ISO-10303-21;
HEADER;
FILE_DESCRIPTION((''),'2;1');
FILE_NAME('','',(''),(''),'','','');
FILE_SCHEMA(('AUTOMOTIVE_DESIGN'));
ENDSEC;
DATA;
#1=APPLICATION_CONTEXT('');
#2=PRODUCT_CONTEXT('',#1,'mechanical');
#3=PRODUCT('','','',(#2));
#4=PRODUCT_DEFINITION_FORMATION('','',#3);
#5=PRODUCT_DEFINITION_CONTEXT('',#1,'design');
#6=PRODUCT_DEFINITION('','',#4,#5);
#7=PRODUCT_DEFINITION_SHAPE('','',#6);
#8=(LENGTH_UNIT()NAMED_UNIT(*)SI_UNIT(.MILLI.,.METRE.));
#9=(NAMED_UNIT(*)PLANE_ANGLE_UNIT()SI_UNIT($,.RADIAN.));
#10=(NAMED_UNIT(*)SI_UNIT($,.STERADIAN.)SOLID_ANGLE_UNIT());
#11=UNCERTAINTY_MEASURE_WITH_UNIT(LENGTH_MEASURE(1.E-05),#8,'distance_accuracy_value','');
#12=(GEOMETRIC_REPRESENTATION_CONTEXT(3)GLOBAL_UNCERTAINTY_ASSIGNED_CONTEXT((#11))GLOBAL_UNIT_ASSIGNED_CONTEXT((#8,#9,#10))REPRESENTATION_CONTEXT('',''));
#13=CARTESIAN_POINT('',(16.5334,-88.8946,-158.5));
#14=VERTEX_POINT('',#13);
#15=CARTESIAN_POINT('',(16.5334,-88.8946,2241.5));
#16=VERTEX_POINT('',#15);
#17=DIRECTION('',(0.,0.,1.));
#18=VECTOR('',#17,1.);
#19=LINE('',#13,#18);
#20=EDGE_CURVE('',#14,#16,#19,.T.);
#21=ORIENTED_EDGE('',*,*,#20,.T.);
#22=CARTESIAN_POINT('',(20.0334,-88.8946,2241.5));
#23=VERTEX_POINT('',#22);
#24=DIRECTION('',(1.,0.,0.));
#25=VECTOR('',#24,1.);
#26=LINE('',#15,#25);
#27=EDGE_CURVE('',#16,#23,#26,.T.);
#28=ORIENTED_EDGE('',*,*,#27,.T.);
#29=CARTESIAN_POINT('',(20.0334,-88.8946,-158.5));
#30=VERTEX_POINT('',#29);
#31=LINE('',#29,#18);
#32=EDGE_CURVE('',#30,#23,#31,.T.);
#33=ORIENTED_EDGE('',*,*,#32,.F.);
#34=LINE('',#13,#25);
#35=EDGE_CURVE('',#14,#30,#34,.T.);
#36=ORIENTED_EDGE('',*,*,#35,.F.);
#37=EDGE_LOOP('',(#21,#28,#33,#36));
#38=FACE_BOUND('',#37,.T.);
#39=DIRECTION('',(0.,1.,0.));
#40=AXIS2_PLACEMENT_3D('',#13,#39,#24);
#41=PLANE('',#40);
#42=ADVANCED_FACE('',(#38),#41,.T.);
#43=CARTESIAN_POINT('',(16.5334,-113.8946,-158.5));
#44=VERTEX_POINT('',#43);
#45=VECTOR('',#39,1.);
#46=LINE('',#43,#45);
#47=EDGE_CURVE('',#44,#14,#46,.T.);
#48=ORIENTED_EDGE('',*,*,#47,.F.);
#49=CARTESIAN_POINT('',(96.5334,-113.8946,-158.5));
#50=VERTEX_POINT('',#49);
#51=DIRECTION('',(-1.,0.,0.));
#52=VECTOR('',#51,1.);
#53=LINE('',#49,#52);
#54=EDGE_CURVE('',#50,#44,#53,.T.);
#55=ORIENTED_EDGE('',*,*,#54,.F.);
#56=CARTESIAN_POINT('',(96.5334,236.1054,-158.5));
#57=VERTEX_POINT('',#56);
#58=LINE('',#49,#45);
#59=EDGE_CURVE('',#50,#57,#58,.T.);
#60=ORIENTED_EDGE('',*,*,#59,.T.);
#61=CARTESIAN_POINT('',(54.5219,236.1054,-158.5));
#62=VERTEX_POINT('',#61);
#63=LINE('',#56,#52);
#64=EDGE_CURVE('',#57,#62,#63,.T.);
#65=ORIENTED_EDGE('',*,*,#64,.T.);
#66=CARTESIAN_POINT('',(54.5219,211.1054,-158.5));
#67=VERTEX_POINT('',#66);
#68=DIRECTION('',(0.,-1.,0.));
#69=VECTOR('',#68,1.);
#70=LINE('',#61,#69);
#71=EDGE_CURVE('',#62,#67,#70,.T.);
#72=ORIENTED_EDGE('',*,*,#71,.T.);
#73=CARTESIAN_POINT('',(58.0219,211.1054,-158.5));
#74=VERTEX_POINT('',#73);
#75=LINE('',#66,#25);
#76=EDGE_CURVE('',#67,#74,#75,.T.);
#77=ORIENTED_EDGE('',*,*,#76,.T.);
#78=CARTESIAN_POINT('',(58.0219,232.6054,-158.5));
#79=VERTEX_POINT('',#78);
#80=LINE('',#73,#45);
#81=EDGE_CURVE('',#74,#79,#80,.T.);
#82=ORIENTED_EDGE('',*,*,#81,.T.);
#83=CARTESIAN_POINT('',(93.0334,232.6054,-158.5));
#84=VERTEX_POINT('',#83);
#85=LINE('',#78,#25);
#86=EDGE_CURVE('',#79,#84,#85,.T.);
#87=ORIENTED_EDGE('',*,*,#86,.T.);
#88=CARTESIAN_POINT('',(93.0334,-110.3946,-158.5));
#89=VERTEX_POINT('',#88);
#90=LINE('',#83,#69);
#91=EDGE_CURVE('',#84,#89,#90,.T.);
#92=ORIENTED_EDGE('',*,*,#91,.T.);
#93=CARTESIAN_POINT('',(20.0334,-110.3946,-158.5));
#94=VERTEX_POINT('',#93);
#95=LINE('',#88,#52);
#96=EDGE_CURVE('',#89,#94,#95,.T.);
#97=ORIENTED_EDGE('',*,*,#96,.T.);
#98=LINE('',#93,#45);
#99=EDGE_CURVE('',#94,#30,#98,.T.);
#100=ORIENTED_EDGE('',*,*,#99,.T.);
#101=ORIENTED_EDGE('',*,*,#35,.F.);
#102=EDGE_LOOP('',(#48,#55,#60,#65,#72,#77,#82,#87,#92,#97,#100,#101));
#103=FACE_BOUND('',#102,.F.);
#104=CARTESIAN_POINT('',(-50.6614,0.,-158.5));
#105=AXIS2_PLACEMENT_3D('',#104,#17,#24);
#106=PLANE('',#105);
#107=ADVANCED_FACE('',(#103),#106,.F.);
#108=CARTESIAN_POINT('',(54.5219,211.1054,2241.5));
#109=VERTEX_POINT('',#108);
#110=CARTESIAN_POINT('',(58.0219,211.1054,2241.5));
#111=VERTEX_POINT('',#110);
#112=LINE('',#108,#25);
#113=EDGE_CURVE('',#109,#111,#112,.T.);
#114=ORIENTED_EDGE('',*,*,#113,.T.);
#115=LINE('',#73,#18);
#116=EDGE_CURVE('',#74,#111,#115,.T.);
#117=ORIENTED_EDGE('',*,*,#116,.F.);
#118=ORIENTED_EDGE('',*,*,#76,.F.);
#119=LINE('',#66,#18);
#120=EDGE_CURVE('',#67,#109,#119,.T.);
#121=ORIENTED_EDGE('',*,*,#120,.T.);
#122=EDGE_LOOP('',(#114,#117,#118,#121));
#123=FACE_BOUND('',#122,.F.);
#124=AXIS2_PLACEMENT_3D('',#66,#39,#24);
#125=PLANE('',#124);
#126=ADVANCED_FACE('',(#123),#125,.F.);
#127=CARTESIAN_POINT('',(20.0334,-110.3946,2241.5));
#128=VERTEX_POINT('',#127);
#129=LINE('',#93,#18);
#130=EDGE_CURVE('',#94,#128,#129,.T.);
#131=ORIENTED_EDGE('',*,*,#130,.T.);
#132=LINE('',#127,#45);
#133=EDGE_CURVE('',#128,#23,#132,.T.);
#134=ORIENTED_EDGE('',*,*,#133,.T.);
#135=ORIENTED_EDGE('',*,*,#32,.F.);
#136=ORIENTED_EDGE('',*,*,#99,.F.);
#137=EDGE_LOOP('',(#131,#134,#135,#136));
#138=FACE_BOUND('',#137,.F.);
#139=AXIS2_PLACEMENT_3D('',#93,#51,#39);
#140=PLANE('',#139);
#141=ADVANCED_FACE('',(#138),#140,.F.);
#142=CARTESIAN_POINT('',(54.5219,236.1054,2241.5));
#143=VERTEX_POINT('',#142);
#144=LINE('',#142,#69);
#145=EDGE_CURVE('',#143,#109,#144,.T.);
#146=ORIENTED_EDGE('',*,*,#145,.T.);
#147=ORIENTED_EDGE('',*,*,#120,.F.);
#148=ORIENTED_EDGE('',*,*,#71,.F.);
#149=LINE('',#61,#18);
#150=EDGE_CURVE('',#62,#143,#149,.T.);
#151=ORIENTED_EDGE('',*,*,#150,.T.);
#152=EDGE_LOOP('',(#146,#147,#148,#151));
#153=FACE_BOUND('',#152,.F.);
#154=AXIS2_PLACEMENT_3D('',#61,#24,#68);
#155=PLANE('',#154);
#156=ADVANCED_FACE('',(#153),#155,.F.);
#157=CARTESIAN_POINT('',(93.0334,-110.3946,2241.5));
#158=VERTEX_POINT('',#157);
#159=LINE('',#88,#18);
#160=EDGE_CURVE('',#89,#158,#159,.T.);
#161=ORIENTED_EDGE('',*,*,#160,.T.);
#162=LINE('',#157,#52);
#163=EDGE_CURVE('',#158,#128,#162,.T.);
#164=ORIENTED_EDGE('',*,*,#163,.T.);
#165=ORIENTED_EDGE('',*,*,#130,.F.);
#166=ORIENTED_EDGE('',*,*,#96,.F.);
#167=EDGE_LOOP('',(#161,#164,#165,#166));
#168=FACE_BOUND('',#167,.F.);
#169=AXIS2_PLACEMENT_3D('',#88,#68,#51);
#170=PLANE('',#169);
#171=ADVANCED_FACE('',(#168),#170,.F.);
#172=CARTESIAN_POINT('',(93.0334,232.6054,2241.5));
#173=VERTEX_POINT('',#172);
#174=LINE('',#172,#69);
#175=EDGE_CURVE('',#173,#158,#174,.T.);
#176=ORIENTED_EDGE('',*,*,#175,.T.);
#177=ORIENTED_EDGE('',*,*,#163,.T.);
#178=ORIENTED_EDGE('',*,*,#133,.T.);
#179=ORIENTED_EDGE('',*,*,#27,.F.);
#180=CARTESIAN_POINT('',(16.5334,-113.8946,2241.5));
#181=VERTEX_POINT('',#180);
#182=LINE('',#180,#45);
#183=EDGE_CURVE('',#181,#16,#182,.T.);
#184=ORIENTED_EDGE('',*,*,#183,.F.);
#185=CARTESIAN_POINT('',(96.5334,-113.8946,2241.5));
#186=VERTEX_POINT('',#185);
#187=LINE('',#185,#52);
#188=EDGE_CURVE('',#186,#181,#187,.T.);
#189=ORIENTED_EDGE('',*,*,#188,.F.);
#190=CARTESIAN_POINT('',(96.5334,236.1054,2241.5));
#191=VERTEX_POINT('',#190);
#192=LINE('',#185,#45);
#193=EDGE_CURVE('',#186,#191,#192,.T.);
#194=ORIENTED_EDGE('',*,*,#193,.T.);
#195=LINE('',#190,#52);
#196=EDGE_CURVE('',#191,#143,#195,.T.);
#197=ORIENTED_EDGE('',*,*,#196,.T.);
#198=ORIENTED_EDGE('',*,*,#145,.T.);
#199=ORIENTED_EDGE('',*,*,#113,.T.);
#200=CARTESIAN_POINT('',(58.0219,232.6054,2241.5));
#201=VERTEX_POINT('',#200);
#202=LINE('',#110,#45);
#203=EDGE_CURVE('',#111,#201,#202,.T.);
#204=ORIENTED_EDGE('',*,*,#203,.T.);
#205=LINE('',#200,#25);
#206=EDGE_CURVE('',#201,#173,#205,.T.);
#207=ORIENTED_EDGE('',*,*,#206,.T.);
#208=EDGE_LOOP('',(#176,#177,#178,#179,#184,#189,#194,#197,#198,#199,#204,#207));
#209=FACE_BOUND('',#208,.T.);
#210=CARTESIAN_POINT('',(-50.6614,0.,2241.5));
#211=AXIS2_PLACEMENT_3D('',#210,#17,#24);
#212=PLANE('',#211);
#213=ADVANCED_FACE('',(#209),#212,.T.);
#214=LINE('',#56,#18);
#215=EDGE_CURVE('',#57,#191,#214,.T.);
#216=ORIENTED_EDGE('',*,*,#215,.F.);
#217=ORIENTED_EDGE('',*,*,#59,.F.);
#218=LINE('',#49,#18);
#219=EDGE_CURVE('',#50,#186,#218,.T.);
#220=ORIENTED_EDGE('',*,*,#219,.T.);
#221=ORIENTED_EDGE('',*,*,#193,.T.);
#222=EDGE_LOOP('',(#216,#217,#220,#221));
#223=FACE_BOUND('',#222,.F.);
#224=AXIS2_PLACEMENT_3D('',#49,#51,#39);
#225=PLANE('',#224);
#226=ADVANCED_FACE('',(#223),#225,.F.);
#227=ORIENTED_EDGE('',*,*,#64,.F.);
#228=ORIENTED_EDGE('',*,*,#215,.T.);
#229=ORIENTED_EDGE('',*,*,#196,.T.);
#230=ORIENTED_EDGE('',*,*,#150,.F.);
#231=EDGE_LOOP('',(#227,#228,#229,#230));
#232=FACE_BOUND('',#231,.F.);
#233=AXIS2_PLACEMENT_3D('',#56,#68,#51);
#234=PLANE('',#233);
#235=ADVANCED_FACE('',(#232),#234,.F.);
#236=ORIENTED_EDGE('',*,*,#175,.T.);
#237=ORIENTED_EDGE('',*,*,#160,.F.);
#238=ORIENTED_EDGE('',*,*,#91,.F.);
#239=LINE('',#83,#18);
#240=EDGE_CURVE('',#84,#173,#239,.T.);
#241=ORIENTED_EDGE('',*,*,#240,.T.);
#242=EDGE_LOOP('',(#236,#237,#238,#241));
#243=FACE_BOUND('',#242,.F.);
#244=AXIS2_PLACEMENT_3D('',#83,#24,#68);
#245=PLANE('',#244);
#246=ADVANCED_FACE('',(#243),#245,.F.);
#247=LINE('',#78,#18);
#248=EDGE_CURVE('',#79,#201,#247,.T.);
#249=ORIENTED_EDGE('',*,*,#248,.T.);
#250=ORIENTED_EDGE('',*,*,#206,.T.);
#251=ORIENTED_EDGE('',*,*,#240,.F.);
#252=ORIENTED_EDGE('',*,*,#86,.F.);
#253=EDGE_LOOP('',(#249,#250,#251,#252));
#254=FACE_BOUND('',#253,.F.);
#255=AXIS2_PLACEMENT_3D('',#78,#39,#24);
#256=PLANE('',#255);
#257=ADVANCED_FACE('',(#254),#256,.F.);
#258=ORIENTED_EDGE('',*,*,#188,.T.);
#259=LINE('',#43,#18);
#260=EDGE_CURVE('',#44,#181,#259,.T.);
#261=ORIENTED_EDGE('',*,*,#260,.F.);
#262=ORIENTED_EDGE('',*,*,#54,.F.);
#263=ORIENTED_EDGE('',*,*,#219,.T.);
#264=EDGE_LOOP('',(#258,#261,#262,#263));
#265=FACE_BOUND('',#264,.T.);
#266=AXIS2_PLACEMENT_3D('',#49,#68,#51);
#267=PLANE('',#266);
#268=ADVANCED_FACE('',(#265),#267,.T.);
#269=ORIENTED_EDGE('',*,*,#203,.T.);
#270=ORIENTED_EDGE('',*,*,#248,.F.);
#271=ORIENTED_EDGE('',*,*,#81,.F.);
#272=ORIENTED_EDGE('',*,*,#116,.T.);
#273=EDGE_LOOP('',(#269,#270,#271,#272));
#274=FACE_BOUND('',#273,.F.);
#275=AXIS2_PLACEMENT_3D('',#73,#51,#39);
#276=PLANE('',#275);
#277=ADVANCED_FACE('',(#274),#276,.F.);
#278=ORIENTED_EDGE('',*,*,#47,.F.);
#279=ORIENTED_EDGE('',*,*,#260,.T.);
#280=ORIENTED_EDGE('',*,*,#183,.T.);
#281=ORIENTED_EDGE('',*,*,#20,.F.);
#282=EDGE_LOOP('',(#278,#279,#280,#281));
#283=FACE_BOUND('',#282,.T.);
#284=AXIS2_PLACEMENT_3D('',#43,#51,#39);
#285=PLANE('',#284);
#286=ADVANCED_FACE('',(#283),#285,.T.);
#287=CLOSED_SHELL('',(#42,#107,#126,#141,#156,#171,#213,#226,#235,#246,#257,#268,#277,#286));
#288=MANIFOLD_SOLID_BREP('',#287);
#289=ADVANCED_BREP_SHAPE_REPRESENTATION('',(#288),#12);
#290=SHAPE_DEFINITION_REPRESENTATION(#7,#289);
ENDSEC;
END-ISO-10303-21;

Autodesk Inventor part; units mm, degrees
ref_plane "YZ Plane" through (0, 0, 0) normal (1, 0, 0) x (0, 1, 0)
ref_plane "XZ Plane" through (0, 0, 0) normal (0, 1, 0) x (-1, 0, 0)
ref_plane "XY Plane" through (0, 0, 0) normal (0, 0, 1) x (1, 0, 0)
ref_plane "Work Plane1" through (-50.6614, 0, -158.5) normal (0, 0, 1) x (1, 0, 0)
sketch "Sketch1" plane through (-50.6614, 0, -158.5) normal (0, 0, 1) x (1, 0, 0)
  line L0 (147.1948, -113.8946) -> (147.1948, 236.1054)
  line L1 (147.1948, 236.1054) -> (105.1833, 236.1054)
  line L2 (105.1833, 236.1054) -> (105.1833, 211.1054)
  line L3 (147.1948, -113.8946) -> (67.1948, -113.8946)
  line L4 (67.1948, -113.8946) -> (67.1948, -88.8946)
  line L5 (108.6833, 211.1054) -> (108.6833, 232.6054)
  line L6 (108.6833, 232.6054) -> (143.6948, 232.6054)
  line L7 (143.6948, 232.6054) -> (143.6948, -110.3946)
  line L8 (143.6948, -110.3946) -> (70.6948, -110.3946)
  line L9 (70.6948, -110.3946) -> (70.6948, -88.8946)
  line L10 (67.1948, -88.8946) -> (70.6948, -88.8946)
  line L11 (105.1833, 211.1054) -> (108.6833, 211.1054)
  dimension "d2" = 25
  dimension "d4" = 80
  dimension "d5" = 25
  dimension "d6" = 3.5
  dimension "d7" = 350
extrude "Extrusion2" add sketch "Sketch1" along normal blind 2400
